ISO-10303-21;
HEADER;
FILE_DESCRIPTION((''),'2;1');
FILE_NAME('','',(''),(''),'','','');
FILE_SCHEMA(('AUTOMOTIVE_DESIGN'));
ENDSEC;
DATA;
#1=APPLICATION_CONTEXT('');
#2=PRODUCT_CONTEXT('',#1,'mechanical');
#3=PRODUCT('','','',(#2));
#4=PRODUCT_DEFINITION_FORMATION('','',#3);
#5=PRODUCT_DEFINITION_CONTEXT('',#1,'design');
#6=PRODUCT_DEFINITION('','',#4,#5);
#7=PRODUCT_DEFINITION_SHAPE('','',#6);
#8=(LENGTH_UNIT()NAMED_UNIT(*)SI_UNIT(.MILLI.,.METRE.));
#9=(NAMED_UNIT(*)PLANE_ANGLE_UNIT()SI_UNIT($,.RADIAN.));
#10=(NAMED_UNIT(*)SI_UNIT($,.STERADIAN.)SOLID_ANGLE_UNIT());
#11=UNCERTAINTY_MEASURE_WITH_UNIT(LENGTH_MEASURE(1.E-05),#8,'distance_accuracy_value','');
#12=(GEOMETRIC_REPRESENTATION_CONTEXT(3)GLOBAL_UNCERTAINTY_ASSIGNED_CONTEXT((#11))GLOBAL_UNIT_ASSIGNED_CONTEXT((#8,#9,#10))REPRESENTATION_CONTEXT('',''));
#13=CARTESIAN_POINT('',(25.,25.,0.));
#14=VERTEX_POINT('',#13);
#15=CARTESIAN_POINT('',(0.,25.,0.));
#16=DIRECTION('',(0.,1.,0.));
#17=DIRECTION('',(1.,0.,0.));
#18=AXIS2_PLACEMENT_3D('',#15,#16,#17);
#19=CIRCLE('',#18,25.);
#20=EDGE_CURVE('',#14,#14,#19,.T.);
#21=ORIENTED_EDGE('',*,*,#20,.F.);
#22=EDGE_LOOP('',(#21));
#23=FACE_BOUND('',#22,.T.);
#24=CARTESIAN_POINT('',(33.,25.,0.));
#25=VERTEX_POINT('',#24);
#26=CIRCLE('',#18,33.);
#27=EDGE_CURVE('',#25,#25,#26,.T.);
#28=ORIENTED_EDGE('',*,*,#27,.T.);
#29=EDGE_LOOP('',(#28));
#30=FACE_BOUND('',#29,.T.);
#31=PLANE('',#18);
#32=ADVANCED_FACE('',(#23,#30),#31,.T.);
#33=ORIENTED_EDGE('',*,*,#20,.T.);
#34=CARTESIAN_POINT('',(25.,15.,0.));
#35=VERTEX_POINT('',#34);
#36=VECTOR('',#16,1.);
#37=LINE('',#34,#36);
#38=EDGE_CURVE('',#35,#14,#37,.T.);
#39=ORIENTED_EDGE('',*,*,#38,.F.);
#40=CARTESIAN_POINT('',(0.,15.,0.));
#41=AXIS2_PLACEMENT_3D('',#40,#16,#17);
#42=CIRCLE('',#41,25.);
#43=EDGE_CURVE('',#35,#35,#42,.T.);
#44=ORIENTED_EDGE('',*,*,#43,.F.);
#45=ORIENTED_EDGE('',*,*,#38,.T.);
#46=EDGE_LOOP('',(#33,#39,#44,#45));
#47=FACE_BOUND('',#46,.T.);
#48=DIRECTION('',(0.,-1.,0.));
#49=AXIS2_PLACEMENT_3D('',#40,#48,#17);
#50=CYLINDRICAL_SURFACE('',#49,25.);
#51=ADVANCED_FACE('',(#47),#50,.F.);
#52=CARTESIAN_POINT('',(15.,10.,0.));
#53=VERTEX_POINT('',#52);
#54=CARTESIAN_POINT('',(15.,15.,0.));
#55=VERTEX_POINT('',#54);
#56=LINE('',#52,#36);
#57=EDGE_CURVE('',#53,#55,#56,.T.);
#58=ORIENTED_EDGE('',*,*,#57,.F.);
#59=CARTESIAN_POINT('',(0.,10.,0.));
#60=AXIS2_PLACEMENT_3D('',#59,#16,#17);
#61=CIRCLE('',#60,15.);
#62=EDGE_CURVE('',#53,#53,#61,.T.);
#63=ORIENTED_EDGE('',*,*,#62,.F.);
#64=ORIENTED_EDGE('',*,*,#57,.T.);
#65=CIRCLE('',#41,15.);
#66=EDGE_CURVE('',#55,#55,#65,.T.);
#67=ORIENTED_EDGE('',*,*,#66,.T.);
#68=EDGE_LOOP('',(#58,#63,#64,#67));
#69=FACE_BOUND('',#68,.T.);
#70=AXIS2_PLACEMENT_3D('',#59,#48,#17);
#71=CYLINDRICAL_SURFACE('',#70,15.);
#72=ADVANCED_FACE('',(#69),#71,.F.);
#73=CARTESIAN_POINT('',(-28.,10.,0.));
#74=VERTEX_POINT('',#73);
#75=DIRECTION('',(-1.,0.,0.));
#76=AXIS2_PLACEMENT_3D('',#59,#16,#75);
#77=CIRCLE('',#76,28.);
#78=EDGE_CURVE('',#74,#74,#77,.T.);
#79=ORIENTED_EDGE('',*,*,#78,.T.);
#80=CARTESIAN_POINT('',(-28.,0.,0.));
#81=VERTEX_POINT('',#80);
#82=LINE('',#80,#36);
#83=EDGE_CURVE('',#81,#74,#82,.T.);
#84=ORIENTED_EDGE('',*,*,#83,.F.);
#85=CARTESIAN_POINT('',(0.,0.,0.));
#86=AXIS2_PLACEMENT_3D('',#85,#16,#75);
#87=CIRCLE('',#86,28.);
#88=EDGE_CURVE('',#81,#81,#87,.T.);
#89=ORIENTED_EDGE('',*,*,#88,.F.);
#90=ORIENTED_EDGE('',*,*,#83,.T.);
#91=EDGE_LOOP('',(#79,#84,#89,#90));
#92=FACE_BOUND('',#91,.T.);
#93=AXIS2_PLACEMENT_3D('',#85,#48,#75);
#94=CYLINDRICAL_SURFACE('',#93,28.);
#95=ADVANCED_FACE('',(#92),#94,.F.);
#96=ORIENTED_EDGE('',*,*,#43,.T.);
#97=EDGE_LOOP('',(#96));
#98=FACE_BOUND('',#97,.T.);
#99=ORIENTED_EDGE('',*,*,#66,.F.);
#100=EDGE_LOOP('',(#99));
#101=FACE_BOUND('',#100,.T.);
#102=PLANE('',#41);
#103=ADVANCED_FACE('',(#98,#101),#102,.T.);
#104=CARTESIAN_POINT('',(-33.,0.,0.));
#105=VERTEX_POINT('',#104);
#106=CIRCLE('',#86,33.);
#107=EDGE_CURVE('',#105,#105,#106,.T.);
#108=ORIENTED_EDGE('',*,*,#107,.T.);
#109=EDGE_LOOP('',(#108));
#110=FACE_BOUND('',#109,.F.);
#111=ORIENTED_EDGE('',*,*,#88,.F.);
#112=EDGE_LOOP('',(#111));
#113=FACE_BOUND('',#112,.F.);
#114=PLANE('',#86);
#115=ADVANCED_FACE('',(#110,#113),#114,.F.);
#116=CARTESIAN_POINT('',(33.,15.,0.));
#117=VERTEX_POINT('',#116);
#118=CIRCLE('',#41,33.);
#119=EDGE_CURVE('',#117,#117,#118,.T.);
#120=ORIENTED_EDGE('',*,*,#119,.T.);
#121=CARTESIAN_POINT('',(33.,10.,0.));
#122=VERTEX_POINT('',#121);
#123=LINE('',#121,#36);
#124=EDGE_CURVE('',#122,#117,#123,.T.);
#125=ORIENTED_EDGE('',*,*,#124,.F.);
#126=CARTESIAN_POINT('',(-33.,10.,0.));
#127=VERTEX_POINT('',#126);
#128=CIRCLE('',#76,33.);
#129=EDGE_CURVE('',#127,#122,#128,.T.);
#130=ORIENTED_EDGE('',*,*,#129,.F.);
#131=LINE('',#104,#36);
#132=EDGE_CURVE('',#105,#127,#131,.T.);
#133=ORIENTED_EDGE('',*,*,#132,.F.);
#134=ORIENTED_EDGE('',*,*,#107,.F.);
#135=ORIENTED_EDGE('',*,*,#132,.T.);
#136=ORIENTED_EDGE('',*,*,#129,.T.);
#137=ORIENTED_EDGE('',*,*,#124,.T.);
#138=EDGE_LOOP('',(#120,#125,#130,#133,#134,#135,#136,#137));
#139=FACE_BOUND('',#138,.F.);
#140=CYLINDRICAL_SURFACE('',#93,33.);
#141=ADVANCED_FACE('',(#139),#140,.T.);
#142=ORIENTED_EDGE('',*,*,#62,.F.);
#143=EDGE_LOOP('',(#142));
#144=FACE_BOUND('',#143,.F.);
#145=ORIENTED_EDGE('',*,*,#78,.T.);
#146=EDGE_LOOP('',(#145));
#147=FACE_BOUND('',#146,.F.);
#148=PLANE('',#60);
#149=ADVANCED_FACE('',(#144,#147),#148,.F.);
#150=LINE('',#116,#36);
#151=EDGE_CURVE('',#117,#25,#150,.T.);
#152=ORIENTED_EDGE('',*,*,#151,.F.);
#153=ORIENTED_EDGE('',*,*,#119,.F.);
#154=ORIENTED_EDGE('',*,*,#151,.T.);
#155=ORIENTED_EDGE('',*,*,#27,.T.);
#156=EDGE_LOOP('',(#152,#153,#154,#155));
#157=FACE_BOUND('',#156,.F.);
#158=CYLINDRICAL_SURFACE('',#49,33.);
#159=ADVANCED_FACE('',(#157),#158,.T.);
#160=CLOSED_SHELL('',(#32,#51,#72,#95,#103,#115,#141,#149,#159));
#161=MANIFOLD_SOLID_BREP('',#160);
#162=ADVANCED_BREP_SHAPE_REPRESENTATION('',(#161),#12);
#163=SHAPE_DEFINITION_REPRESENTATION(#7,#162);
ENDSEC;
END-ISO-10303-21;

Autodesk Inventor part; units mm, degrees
ref_plane "YZ Plane" through (0, 0, 0) normal (1, 0, 0) x (0, 1, 0)
ref_plane "XZ Plane" through (0, 0, 0) normal (0, 1, 0) x (-1, 0, 0)
ref_plane "XY Plane" through (0, 0, 0) normal (0, 0, 1) x (1, 0, 0)
sketch "Sketch1" plane through (0, 0, 0) normal (0, 1, 0) x (-1, 0, 0)
  circle A0 centre (0, 0) radius 28
  circle A1 centre (0, 0) radius 33
  dimension "d0" = 56
  dimension "d1" = 66
extrude "Extrusion1" add sketch "Sketch1" along normal blind 10
sketch "Sketch2" plane through (0, 10, 0) normal (0, 1, 0) x (1, 0, 0)
  circle A0 centre (0, 0) radius 15
  circle A1 centre (0, 0) radius 33 projected
  dimension "d4" = 30
extrude "Extrusion2" add sketch "Sketch2" along normal blind 5
sketch "Sketch3" plane through (0, 15, 0) normal (0, 1, 0) x (1, 0, 0)
  circle A0 centre (0, 0) radius 25
  circle A1 centre (0, 0) radius 33
  dimension "d7" = 66
  dimension "d8" = 50
extrude "Extrusion3" add sketch "Sketch3" along normal blind 10
properties part number "bigbearingcup" material "Steel"
